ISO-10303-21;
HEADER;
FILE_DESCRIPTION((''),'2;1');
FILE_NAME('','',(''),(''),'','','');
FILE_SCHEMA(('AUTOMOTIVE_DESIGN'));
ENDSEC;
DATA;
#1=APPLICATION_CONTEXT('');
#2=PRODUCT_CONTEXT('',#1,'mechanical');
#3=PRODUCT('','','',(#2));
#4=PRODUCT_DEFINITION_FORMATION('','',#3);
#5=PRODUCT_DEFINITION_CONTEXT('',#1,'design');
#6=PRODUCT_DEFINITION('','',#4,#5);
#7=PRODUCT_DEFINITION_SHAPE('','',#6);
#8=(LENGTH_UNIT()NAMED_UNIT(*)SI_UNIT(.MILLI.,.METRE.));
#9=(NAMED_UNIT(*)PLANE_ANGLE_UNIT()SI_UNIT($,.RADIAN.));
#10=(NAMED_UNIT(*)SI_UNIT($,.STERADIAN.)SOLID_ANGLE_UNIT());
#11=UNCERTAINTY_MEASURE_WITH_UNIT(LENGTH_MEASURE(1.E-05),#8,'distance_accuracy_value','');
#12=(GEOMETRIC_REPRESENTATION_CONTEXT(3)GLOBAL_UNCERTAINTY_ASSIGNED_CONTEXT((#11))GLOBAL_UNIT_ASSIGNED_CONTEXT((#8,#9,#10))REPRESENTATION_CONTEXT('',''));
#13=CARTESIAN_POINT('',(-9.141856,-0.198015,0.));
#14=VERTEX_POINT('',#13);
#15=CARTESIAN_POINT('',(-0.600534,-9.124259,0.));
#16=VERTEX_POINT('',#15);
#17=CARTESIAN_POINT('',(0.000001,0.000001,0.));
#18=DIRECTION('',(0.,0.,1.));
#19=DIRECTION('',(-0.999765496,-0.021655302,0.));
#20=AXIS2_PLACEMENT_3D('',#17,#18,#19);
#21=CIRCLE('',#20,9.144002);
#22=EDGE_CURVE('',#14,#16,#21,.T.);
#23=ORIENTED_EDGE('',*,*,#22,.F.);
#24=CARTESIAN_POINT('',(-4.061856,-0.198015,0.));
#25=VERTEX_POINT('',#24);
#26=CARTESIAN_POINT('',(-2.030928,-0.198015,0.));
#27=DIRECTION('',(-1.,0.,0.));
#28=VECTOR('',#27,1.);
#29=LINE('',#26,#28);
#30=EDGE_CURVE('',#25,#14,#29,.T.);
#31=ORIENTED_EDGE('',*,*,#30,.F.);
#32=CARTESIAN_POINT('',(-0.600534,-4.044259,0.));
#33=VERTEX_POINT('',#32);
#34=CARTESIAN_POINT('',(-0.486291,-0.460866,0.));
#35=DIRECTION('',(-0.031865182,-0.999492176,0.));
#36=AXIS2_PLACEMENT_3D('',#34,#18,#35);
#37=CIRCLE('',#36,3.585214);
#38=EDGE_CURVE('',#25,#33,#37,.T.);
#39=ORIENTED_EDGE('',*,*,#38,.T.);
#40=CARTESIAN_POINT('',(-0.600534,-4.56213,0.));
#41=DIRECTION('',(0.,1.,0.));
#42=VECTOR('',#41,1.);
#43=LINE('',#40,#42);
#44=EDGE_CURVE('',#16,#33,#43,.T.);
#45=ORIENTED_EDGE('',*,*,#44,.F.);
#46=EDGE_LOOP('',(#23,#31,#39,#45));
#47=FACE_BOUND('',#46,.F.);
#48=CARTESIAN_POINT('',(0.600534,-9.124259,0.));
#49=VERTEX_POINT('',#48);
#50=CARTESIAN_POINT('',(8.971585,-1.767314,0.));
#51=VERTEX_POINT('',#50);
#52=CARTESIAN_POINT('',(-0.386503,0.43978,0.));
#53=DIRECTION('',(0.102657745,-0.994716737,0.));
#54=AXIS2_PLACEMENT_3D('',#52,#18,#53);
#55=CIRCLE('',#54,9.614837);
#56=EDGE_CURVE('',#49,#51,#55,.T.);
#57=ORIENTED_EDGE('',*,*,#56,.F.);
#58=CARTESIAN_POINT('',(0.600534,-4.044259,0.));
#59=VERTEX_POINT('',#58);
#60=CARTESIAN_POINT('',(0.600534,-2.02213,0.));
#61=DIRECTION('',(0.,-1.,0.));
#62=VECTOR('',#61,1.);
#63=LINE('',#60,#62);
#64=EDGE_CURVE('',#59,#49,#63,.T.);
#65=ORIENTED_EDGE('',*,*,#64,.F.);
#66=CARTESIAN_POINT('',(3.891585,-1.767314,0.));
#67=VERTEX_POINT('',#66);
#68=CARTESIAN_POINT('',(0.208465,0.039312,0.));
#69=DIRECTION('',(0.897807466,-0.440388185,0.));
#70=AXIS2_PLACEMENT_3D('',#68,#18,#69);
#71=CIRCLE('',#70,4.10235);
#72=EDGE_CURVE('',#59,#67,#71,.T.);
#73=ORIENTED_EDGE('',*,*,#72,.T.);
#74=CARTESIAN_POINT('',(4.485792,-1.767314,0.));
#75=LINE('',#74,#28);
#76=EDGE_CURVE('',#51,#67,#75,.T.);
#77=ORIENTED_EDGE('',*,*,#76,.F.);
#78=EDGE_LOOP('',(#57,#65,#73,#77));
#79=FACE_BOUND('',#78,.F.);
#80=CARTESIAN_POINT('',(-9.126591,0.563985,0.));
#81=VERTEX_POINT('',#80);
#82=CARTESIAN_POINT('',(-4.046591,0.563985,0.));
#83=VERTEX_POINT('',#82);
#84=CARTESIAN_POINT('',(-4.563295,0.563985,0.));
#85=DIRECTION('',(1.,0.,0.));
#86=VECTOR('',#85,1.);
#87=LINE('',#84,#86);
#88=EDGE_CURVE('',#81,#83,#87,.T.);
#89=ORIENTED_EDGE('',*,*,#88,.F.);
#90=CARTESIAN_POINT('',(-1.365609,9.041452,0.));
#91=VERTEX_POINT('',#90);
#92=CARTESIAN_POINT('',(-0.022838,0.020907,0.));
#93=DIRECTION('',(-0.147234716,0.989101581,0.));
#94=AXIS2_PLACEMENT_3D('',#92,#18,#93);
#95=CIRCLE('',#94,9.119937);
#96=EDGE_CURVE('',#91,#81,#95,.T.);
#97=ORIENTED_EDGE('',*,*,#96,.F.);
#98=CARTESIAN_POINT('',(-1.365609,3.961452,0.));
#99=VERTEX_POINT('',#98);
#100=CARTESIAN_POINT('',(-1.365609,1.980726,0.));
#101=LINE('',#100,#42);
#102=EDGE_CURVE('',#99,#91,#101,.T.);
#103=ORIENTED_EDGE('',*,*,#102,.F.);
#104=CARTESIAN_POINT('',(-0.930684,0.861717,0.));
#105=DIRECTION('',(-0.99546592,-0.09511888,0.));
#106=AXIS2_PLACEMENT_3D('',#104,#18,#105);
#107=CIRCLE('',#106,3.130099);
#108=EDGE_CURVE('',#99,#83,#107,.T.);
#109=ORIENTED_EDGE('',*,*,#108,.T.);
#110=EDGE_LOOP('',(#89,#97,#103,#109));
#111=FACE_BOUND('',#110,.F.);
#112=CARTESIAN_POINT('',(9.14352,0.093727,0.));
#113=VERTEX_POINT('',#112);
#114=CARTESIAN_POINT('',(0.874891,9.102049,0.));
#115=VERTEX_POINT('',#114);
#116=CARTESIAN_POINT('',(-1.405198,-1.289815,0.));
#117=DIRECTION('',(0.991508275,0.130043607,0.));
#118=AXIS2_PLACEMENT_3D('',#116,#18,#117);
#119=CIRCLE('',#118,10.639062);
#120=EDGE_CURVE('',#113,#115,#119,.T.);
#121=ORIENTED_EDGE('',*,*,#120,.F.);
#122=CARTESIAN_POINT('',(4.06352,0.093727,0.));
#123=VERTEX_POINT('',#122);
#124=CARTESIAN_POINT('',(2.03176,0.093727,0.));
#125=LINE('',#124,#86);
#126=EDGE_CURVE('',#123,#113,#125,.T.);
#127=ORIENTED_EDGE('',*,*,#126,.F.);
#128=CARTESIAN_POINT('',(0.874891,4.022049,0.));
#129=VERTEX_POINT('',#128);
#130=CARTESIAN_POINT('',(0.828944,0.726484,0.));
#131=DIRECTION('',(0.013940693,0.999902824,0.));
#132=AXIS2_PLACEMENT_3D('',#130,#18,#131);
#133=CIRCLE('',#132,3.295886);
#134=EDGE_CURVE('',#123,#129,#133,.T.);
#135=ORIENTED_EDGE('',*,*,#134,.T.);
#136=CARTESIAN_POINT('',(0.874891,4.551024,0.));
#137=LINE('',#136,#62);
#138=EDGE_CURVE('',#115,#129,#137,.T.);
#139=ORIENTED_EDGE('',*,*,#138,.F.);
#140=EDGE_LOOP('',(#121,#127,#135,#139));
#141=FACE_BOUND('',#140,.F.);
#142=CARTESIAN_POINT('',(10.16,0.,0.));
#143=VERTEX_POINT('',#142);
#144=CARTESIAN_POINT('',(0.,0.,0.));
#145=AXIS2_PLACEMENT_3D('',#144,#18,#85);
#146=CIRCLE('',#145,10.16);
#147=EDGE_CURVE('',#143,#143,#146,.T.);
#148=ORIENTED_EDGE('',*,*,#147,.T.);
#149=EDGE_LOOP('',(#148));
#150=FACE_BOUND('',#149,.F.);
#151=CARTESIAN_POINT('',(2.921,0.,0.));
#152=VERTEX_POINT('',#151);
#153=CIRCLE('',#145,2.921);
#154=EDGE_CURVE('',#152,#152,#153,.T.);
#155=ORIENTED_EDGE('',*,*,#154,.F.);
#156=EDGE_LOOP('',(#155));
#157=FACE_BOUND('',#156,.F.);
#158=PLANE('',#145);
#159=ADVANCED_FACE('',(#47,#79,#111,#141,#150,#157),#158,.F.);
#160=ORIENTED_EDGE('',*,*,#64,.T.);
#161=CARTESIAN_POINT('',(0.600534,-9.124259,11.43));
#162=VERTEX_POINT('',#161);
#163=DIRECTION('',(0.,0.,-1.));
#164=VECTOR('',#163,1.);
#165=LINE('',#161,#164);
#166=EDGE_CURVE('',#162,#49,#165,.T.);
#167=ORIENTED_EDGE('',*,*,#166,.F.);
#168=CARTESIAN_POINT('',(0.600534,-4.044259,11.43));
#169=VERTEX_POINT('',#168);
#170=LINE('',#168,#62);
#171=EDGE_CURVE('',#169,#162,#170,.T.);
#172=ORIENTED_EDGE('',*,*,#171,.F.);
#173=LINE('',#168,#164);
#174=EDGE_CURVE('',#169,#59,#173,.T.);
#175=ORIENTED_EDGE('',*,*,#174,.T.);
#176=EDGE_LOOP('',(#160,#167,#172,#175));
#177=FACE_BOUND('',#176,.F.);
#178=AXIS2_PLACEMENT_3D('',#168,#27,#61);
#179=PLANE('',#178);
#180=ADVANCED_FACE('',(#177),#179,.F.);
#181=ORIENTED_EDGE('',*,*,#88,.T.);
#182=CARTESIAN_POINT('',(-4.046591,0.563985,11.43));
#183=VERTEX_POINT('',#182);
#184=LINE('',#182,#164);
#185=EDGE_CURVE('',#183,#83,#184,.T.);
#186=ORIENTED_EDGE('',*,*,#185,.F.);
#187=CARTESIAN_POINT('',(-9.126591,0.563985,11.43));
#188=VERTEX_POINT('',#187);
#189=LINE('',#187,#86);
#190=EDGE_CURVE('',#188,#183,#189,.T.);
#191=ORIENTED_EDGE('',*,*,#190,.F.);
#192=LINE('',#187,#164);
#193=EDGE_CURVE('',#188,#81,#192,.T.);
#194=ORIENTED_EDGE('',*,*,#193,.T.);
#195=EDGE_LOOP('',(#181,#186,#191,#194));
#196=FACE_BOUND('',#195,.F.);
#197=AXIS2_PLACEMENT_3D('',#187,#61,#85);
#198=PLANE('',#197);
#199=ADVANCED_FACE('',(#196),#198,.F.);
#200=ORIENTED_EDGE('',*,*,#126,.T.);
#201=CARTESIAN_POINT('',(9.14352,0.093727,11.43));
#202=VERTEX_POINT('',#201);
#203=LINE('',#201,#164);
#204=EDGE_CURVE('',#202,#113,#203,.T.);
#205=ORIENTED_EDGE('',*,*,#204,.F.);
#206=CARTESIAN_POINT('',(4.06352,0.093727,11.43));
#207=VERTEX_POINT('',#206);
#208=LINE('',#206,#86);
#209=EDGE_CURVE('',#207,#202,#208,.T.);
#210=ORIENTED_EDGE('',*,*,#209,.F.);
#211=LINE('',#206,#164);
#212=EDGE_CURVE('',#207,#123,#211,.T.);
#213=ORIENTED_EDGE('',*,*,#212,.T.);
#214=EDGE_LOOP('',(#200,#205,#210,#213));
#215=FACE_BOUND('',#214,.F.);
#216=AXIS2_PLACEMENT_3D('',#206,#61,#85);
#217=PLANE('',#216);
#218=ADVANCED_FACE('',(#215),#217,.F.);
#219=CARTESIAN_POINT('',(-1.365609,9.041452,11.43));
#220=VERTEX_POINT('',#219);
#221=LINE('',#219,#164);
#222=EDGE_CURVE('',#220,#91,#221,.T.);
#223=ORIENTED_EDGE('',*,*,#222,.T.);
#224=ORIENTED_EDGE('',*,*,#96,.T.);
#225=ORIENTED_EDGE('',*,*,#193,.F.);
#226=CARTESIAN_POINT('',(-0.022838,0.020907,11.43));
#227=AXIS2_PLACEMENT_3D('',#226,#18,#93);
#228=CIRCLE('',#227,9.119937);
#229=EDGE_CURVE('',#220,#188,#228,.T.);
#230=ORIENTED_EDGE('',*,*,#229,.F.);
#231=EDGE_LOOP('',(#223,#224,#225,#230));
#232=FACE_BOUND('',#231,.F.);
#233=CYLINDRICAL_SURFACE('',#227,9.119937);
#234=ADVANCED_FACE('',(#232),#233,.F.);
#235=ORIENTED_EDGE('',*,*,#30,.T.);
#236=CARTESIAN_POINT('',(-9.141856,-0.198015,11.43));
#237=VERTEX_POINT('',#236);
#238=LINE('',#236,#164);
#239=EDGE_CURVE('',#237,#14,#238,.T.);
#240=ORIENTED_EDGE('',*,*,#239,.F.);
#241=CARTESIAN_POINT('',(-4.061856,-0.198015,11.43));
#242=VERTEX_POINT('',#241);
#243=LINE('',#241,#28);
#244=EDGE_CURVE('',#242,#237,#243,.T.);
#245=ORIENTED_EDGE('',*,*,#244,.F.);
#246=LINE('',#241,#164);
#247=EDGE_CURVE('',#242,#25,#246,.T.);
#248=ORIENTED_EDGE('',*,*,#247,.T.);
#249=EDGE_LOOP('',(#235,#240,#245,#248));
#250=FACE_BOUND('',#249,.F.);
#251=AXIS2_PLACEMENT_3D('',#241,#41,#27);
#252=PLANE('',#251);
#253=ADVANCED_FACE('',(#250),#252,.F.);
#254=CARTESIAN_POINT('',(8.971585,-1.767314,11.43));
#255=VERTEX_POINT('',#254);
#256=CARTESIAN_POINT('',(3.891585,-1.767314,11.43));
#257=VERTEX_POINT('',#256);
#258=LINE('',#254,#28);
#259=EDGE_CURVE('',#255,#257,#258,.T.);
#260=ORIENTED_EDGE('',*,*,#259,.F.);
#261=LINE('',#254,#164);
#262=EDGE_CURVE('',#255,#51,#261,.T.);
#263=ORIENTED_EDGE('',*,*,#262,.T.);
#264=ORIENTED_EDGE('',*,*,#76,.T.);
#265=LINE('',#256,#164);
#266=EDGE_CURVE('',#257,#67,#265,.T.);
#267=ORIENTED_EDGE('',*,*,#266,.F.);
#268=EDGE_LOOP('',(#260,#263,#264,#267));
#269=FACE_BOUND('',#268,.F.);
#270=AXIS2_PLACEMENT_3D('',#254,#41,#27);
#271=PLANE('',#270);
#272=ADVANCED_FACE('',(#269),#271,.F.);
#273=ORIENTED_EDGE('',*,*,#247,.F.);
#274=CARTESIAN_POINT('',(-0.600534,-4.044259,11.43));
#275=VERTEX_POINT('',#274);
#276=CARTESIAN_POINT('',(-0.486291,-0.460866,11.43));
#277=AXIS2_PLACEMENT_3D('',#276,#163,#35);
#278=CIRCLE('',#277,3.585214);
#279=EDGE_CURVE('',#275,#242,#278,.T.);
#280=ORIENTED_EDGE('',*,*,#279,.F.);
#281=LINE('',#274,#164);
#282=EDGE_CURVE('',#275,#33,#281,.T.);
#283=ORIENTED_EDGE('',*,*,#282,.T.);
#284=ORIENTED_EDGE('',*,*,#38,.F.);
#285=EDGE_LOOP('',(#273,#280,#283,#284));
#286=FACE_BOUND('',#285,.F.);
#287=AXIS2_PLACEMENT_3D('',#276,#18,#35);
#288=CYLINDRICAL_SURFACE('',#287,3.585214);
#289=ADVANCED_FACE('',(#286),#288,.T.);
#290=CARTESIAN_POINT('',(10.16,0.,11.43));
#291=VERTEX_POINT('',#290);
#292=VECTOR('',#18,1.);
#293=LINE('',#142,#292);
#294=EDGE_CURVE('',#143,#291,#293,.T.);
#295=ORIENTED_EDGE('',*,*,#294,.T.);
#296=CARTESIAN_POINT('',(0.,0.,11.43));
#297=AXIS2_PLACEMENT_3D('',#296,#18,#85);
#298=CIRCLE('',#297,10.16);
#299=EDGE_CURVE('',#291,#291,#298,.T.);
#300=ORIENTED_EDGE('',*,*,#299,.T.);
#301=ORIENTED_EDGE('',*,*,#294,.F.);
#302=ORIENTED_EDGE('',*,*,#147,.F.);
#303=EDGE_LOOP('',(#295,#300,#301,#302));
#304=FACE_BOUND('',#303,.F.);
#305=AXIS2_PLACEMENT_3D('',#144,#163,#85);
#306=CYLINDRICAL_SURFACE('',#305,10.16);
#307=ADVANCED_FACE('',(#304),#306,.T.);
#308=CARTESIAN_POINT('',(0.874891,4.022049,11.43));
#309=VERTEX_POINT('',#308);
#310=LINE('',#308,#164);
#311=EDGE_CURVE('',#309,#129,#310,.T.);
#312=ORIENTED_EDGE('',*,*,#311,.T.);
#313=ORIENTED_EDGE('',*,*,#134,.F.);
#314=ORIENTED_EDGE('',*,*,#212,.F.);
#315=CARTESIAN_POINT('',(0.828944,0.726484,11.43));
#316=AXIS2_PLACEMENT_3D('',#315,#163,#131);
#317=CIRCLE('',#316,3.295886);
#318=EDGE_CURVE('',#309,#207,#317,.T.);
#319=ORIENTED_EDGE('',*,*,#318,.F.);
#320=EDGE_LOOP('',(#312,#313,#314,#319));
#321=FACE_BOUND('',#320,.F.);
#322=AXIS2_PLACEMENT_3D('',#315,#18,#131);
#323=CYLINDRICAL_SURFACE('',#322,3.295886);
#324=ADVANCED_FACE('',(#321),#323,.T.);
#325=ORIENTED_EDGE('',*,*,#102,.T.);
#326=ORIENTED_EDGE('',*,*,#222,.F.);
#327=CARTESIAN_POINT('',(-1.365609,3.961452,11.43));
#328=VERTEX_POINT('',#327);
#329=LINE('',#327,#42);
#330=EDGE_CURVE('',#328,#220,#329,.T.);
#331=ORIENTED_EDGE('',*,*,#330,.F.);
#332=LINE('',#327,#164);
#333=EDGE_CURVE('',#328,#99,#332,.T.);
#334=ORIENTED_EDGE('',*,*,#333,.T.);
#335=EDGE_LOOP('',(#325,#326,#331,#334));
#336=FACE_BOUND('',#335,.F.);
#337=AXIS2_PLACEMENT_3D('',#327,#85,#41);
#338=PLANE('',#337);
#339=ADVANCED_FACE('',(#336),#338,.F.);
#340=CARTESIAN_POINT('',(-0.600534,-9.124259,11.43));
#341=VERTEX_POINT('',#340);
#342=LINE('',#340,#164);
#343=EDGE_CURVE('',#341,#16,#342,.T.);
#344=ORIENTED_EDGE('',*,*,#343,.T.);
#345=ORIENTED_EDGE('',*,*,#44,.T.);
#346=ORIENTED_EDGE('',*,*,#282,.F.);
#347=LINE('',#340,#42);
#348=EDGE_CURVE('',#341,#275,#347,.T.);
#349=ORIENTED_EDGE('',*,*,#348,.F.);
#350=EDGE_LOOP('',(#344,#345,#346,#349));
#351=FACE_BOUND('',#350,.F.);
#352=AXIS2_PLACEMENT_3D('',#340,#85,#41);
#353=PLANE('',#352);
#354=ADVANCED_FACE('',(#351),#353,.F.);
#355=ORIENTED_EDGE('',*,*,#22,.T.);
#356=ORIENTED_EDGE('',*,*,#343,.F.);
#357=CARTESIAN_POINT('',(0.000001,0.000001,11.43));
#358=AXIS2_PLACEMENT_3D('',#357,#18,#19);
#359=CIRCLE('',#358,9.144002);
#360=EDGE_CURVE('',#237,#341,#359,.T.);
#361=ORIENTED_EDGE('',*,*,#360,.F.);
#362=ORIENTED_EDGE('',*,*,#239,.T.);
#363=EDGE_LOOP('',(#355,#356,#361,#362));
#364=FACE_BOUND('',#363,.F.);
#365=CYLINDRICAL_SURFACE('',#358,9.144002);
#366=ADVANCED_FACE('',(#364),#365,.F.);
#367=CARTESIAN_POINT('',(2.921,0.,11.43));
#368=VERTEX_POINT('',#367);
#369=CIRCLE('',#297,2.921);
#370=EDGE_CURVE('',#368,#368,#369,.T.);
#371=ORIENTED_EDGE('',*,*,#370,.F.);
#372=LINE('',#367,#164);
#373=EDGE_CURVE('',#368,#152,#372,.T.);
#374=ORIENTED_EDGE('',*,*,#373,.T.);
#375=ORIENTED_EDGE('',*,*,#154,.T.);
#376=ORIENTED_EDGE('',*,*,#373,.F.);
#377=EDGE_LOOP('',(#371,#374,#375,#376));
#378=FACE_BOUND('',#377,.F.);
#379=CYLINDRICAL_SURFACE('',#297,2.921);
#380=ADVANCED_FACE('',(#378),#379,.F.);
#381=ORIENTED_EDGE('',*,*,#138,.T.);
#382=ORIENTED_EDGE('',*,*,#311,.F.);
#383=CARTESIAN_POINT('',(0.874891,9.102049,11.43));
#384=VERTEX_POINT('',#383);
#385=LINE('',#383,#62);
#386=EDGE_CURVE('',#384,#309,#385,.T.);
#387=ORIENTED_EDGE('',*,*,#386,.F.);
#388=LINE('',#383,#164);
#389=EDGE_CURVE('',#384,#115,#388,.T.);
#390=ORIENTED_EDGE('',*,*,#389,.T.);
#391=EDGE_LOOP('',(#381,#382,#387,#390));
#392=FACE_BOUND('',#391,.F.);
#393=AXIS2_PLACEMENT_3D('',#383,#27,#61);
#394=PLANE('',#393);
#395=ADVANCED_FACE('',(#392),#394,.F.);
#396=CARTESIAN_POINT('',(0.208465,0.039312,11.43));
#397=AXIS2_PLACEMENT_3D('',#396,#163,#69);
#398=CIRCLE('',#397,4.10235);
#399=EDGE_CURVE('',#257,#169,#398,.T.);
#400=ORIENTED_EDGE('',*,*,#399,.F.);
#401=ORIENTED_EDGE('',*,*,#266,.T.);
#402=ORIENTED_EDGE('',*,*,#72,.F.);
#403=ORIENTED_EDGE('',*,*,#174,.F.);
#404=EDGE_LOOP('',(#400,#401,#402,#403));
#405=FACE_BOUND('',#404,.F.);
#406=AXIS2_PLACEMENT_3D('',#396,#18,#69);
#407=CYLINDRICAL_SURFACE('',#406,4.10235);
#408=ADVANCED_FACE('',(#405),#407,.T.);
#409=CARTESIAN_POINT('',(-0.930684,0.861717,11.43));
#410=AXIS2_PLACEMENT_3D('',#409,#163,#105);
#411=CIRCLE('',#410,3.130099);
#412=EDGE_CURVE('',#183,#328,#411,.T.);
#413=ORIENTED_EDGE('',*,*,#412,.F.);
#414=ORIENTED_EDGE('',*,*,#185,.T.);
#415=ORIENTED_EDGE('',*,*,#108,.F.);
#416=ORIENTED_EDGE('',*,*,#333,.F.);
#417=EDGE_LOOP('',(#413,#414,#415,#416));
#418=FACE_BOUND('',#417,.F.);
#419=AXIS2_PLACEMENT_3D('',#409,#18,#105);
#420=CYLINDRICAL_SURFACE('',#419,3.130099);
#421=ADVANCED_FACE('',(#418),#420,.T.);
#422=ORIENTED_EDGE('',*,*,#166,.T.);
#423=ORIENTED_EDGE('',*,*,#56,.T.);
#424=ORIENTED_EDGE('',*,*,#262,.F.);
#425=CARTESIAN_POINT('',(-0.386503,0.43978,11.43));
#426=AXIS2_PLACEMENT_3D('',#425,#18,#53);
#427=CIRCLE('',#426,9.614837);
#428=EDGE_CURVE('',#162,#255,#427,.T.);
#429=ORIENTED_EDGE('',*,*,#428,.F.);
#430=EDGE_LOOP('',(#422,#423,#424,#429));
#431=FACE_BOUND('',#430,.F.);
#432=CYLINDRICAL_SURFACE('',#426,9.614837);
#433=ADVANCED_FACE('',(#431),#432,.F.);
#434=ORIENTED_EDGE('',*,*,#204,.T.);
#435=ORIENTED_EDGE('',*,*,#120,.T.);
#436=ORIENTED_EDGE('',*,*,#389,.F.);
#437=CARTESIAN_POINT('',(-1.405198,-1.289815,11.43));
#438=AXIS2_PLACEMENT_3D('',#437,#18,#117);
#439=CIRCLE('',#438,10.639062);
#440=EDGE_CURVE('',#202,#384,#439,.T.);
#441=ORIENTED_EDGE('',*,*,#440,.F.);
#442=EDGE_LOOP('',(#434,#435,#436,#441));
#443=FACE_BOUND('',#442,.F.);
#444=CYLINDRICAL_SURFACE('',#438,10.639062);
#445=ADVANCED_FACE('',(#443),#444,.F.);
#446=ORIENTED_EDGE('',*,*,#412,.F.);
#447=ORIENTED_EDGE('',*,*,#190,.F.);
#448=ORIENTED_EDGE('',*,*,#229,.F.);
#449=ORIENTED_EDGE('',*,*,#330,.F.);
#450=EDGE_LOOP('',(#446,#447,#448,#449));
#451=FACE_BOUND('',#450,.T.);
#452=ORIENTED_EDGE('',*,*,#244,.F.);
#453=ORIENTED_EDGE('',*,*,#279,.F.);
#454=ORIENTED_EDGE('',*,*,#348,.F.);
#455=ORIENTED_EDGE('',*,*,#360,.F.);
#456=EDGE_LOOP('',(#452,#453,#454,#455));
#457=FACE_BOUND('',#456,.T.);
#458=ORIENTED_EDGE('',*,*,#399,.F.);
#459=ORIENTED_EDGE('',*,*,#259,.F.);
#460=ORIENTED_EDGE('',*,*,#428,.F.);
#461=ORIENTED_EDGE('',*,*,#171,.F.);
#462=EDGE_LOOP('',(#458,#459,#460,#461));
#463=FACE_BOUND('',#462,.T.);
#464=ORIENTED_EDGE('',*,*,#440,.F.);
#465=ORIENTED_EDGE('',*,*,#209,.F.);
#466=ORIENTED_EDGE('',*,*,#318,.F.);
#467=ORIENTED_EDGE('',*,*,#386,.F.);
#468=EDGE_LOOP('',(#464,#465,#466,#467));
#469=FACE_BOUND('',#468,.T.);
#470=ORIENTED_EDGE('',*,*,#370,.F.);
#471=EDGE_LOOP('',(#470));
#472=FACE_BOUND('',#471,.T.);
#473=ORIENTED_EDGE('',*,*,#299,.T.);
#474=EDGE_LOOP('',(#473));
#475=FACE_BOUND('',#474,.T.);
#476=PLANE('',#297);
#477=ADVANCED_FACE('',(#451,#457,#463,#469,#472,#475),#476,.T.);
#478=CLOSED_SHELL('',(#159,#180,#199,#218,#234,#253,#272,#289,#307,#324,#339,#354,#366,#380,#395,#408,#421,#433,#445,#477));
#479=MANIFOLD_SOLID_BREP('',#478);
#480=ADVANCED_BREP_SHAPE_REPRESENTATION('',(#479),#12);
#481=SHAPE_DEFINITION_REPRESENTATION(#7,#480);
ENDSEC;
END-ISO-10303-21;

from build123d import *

# Parameters (mm, degrees)
F0_R     = 10.16
F1_DEPTH = 11.43
F2_R     = 2.921
F3_DEPTH = 25.4
F5_DEPTH = 25.4
F7_DEPTH = 25.4


with BuildPart() as f1:
    # F0 (on Top) → F1 (new body)
    with BuildSketch(Plane.XY):
        Circle(F0_R)
    extrude(amount=F1_DEPTH)

    # F2 (on face) → F3 (cut)
    with BuildSketch(Plane.XY.offset(11.43)):
        Circle(F2_R)
    extrude(amount=-F3_DEPTH, mode=Mode.SUBTRACT)

    # F4 (on face) → F5 (cut)
    with BuildSketch(Plane.XY.offset(11.43)):
        with BuildLine():
            Line((-0.600534, -9.124259), (-0.600534, -4.044259))
            ThreePointArc((-0.600534, -4.044259), (-3.151262, -2.859133), (-4.061856, -0.198015))
            Line((-4.061856, -0.198015), (-9.141856, -0.198015))
            ThreePointArc((-9.141856, -0.198015), (-6.606663, -6.321767), (-0.600534, -9.124259))
        make_face()
    extrude(amount=-F5_DEPTH, mode=Mode.SUBTRACT)

    # F6 (on face) → F7 (cut)
    with BuildSketch(Plane.XY.offset(11.43)):
        with BuildLine():
            ThreePointArc((3.891585, -1.767314), (2.542541, -3.334315), (0.600534, -4.044259))
            Line((0.600534, -4.044259), (0.600534, -9.124259))
            ThreePointArc((0.600534, -9.124259), (5.960667, -6.782305), (8.971585, -1.767314))
            Line((8.971585, -1.767314), (3.891585, -1.767314))
        make_face()
        with BuildLine():
            ThreePointArc((0.874891, 4.022049), (3.387925, 2.803616), (4.06352, 0.093727))
            Line((4.06352, 0.093727), (9.14352, 0.093727))
            ThreePointArc((9.14352, 0.093727), (6.432661, 5.904461), (0.874891, 9.102049))
            Line((0.874891, 9.102049), (0.874891, 4.022049))
        make_face()
        with BuildLine():
            ThreePointArc((-4.046591, 0.563985), (-3.387877, 2.800717), (-1.365609, 3.961452))
            Line((-1.365609, 3.961452), (-1.365609, 9.041452))
            ThreePointArc((-1.365609, 9.041452), (-6.7496, 6.179148), (-9.126591, 0.563985))
            Line((-9.126591, 0.563985), (-4.046591, 0.563985))
        make_face()
    extrude(amount=-F7_DEPTH, mode=Mode.SUBTRACT)


solid = f1.part
